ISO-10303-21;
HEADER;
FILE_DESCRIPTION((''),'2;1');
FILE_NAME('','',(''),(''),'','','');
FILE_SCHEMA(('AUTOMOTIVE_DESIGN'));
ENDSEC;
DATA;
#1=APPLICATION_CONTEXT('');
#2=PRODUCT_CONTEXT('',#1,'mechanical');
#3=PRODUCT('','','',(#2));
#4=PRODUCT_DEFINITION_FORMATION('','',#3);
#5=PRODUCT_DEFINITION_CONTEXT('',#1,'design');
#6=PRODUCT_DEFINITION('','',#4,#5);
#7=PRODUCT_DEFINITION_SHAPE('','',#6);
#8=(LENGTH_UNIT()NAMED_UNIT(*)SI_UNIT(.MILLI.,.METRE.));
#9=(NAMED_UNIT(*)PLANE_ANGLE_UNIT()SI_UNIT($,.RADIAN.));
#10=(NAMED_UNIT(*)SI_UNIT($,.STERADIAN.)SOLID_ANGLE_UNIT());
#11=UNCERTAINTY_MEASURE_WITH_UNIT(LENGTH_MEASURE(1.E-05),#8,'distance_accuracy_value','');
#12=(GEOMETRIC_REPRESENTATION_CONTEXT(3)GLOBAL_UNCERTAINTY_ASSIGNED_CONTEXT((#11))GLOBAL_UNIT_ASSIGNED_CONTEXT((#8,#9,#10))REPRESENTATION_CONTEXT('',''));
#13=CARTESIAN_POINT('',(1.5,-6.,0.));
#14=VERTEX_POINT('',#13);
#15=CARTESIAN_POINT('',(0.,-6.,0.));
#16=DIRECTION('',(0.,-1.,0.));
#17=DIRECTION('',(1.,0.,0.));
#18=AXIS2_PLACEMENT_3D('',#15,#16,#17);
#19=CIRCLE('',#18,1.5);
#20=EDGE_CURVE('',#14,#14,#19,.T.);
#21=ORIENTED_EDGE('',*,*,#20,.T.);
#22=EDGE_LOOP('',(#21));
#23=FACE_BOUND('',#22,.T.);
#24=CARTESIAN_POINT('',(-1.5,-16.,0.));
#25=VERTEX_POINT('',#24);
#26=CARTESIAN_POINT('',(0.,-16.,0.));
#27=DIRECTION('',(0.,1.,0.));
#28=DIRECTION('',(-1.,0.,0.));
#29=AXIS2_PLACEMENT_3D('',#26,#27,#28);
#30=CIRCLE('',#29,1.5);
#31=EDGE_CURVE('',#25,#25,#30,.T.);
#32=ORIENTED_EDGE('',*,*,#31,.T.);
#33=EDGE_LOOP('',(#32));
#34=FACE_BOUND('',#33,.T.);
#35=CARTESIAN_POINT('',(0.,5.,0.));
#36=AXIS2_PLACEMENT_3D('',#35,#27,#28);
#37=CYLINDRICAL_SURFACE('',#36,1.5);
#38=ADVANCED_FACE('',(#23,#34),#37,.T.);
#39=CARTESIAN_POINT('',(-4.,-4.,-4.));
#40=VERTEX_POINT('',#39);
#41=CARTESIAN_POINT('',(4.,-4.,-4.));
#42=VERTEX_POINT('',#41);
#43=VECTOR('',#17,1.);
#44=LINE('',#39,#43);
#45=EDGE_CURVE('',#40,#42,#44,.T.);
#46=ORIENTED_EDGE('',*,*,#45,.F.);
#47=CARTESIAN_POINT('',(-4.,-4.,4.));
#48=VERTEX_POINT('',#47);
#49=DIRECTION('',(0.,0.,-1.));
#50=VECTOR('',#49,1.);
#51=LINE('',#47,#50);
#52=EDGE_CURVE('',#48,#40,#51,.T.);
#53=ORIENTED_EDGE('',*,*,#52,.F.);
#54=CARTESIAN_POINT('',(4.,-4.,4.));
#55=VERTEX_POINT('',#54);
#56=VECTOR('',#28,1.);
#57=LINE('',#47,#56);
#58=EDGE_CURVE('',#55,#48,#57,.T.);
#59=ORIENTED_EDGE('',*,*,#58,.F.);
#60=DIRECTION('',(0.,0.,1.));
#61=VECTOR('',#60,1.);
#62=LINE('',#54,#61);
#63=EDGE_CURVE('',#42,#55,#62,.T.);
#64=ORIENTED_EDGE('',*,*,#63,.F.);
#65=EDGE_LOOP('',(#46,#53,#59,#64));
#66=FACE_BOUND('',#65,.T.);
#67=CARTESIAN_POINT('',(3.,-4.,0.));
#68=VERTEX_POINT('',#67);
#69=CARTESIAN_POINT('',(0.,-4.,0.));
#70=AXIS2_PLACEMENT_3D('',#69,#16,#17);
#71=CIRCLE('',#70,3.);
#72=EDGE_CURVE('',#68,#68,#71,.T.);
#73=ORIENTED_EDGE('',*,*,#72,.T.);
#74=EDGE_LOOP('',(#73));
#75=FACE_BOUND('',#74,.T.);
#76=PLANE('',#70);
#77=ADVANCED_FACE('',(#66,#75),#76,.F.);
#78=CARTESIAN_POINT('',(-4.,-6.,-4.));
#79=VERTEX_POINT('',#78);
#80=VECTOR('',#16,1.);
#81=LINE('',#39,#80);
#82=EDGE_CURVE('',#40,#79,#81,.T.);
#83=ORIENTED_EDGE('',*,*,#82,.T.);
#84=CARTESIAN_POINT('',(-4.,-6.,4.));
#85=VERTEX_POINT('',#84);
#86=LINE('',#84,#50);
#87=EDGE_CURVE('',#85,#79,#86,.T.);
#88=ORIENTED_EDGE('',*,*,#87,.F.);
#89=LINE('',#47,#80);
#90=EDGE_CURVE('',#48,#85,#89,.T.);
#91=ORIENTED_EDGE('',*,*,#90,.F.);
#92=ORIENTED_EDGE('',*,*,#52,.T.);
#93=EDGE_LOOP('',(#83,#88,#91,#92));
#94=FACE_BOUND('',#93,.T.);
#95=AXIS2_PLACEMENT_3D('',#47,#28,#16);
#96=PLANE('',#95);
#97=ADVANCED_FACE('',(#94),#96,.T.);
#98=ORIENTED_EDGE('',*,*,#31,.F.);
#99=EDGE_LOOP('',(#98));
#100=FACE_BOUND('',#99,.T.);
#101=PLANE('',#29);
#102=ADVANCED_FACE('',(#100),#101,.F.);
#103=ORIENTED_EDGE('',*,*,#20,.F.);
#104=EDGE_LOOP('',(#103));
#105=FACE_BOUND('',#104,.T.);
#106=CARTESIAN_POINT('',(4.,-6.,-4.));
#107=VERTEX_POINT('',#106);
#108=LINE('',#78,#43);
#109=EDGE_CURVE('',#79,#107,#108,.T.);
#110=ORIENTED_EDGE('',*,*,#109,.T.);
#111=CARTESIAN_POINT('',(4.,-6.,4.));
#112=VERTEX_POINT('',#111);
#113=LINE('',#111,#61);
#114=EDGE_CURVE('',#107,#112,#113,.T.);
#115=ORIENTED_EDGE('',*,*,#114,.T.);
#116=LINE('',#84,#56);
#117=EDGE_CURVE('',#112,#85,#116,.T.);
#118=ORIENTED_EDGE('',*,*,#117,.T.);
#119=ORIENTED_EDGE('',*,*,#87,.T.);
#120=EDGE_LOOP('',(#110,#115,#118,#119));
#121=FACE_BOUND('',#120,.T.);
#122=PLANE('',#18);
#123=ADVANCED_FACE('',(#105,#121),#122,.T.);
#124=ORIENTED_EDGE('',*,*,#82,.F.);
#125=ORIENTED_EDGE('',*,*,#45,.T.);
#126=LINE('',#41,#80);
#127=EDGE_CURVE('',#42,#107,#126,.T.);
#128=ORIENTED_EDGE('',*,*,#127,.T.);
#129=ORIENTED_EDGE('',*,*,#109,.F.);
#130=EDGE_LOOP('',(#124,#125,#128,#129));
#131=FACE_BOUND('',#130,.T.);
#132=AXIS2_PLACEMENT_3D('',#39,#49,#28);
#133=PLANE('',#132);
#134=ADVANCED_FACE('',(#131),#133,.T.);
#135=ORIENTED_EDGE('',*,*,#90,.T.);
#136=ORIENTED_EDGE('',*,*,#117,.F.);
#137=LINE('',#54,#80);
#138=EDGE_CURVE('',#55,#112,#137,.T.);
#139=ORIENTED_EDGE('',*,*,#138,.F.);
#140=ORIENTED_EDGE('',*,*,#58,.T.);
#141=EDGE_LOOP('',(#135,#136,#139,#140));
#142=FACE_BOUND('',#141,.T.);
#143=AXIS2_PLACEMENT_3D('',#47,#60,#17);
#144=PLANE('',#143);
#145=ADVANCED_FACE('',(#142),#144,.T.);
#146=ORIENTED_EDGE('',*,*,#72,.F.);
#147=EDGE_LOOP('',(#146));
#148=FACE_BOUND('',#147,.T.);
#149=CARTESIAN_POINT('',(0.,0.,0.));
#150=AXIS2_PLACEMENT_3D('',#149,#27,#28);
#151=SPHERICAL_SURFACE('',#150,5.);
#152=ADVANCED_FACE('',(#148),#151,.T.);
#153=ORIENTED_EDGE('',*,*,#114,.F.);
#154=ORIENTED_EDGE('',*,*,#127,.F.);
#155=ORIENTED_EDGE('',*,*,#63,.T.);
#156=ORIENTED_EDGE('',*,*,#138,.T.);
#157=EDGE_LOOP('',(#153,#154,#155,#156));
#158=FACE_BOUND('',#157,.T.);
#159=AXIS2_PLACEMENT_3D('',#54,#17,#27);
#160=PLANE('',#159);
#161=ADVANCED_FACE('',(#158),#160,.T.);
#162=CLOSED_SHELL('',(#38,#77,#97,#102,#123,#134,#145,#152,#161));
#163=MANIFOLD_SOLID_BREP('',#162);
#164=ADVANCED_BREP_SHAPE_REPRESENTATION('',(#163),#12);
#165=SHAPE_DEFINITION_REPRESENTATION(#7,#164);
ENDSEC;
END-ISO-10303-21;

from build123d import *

# Parameters (mm, degrees)
SKETCH1_W           = 1.5
SKETCH1_H           = 11
SKETCH2_W           = 8
SKETCH2_H           = 8
BOSS_EXTRUDE1_DEPTH = 2


with BuildPart() as part:
    # Sketch1 → Revolve1 (revolve)
    with BuildSketch(Plane.XY):
        with BuildLine():
            Line((0, -5), (-1.5, -5))
            Line((-1.5, -5), (-1.5, -4.769696007))
            ThreePointArc((-1.5, -4.769696007), (-4.942088629, 0.758788496), (0, 5))
            Line((0, 5), (0, -5))
        make_face()
        with Locations((-0.75, -10.5)):
            Rectangle(SKETCH1_W, SKETCH1_H)
    revolve(axis=Axis((0, 5, 0), (0, -1, 0)))

    # Sketch2 → Boss-Extrude1 (add)
    with BuildSketch(Plane(origin=(0, -6, 0), x_dir=(-1, 0, 0), z_dir=(0, -1, 0))):
        Rectangle(SKETCH2_W, SKETCH2_H)
    extrude(amount=-BOSS_EXTRUDE1_DEPTH)


solid = part.part
